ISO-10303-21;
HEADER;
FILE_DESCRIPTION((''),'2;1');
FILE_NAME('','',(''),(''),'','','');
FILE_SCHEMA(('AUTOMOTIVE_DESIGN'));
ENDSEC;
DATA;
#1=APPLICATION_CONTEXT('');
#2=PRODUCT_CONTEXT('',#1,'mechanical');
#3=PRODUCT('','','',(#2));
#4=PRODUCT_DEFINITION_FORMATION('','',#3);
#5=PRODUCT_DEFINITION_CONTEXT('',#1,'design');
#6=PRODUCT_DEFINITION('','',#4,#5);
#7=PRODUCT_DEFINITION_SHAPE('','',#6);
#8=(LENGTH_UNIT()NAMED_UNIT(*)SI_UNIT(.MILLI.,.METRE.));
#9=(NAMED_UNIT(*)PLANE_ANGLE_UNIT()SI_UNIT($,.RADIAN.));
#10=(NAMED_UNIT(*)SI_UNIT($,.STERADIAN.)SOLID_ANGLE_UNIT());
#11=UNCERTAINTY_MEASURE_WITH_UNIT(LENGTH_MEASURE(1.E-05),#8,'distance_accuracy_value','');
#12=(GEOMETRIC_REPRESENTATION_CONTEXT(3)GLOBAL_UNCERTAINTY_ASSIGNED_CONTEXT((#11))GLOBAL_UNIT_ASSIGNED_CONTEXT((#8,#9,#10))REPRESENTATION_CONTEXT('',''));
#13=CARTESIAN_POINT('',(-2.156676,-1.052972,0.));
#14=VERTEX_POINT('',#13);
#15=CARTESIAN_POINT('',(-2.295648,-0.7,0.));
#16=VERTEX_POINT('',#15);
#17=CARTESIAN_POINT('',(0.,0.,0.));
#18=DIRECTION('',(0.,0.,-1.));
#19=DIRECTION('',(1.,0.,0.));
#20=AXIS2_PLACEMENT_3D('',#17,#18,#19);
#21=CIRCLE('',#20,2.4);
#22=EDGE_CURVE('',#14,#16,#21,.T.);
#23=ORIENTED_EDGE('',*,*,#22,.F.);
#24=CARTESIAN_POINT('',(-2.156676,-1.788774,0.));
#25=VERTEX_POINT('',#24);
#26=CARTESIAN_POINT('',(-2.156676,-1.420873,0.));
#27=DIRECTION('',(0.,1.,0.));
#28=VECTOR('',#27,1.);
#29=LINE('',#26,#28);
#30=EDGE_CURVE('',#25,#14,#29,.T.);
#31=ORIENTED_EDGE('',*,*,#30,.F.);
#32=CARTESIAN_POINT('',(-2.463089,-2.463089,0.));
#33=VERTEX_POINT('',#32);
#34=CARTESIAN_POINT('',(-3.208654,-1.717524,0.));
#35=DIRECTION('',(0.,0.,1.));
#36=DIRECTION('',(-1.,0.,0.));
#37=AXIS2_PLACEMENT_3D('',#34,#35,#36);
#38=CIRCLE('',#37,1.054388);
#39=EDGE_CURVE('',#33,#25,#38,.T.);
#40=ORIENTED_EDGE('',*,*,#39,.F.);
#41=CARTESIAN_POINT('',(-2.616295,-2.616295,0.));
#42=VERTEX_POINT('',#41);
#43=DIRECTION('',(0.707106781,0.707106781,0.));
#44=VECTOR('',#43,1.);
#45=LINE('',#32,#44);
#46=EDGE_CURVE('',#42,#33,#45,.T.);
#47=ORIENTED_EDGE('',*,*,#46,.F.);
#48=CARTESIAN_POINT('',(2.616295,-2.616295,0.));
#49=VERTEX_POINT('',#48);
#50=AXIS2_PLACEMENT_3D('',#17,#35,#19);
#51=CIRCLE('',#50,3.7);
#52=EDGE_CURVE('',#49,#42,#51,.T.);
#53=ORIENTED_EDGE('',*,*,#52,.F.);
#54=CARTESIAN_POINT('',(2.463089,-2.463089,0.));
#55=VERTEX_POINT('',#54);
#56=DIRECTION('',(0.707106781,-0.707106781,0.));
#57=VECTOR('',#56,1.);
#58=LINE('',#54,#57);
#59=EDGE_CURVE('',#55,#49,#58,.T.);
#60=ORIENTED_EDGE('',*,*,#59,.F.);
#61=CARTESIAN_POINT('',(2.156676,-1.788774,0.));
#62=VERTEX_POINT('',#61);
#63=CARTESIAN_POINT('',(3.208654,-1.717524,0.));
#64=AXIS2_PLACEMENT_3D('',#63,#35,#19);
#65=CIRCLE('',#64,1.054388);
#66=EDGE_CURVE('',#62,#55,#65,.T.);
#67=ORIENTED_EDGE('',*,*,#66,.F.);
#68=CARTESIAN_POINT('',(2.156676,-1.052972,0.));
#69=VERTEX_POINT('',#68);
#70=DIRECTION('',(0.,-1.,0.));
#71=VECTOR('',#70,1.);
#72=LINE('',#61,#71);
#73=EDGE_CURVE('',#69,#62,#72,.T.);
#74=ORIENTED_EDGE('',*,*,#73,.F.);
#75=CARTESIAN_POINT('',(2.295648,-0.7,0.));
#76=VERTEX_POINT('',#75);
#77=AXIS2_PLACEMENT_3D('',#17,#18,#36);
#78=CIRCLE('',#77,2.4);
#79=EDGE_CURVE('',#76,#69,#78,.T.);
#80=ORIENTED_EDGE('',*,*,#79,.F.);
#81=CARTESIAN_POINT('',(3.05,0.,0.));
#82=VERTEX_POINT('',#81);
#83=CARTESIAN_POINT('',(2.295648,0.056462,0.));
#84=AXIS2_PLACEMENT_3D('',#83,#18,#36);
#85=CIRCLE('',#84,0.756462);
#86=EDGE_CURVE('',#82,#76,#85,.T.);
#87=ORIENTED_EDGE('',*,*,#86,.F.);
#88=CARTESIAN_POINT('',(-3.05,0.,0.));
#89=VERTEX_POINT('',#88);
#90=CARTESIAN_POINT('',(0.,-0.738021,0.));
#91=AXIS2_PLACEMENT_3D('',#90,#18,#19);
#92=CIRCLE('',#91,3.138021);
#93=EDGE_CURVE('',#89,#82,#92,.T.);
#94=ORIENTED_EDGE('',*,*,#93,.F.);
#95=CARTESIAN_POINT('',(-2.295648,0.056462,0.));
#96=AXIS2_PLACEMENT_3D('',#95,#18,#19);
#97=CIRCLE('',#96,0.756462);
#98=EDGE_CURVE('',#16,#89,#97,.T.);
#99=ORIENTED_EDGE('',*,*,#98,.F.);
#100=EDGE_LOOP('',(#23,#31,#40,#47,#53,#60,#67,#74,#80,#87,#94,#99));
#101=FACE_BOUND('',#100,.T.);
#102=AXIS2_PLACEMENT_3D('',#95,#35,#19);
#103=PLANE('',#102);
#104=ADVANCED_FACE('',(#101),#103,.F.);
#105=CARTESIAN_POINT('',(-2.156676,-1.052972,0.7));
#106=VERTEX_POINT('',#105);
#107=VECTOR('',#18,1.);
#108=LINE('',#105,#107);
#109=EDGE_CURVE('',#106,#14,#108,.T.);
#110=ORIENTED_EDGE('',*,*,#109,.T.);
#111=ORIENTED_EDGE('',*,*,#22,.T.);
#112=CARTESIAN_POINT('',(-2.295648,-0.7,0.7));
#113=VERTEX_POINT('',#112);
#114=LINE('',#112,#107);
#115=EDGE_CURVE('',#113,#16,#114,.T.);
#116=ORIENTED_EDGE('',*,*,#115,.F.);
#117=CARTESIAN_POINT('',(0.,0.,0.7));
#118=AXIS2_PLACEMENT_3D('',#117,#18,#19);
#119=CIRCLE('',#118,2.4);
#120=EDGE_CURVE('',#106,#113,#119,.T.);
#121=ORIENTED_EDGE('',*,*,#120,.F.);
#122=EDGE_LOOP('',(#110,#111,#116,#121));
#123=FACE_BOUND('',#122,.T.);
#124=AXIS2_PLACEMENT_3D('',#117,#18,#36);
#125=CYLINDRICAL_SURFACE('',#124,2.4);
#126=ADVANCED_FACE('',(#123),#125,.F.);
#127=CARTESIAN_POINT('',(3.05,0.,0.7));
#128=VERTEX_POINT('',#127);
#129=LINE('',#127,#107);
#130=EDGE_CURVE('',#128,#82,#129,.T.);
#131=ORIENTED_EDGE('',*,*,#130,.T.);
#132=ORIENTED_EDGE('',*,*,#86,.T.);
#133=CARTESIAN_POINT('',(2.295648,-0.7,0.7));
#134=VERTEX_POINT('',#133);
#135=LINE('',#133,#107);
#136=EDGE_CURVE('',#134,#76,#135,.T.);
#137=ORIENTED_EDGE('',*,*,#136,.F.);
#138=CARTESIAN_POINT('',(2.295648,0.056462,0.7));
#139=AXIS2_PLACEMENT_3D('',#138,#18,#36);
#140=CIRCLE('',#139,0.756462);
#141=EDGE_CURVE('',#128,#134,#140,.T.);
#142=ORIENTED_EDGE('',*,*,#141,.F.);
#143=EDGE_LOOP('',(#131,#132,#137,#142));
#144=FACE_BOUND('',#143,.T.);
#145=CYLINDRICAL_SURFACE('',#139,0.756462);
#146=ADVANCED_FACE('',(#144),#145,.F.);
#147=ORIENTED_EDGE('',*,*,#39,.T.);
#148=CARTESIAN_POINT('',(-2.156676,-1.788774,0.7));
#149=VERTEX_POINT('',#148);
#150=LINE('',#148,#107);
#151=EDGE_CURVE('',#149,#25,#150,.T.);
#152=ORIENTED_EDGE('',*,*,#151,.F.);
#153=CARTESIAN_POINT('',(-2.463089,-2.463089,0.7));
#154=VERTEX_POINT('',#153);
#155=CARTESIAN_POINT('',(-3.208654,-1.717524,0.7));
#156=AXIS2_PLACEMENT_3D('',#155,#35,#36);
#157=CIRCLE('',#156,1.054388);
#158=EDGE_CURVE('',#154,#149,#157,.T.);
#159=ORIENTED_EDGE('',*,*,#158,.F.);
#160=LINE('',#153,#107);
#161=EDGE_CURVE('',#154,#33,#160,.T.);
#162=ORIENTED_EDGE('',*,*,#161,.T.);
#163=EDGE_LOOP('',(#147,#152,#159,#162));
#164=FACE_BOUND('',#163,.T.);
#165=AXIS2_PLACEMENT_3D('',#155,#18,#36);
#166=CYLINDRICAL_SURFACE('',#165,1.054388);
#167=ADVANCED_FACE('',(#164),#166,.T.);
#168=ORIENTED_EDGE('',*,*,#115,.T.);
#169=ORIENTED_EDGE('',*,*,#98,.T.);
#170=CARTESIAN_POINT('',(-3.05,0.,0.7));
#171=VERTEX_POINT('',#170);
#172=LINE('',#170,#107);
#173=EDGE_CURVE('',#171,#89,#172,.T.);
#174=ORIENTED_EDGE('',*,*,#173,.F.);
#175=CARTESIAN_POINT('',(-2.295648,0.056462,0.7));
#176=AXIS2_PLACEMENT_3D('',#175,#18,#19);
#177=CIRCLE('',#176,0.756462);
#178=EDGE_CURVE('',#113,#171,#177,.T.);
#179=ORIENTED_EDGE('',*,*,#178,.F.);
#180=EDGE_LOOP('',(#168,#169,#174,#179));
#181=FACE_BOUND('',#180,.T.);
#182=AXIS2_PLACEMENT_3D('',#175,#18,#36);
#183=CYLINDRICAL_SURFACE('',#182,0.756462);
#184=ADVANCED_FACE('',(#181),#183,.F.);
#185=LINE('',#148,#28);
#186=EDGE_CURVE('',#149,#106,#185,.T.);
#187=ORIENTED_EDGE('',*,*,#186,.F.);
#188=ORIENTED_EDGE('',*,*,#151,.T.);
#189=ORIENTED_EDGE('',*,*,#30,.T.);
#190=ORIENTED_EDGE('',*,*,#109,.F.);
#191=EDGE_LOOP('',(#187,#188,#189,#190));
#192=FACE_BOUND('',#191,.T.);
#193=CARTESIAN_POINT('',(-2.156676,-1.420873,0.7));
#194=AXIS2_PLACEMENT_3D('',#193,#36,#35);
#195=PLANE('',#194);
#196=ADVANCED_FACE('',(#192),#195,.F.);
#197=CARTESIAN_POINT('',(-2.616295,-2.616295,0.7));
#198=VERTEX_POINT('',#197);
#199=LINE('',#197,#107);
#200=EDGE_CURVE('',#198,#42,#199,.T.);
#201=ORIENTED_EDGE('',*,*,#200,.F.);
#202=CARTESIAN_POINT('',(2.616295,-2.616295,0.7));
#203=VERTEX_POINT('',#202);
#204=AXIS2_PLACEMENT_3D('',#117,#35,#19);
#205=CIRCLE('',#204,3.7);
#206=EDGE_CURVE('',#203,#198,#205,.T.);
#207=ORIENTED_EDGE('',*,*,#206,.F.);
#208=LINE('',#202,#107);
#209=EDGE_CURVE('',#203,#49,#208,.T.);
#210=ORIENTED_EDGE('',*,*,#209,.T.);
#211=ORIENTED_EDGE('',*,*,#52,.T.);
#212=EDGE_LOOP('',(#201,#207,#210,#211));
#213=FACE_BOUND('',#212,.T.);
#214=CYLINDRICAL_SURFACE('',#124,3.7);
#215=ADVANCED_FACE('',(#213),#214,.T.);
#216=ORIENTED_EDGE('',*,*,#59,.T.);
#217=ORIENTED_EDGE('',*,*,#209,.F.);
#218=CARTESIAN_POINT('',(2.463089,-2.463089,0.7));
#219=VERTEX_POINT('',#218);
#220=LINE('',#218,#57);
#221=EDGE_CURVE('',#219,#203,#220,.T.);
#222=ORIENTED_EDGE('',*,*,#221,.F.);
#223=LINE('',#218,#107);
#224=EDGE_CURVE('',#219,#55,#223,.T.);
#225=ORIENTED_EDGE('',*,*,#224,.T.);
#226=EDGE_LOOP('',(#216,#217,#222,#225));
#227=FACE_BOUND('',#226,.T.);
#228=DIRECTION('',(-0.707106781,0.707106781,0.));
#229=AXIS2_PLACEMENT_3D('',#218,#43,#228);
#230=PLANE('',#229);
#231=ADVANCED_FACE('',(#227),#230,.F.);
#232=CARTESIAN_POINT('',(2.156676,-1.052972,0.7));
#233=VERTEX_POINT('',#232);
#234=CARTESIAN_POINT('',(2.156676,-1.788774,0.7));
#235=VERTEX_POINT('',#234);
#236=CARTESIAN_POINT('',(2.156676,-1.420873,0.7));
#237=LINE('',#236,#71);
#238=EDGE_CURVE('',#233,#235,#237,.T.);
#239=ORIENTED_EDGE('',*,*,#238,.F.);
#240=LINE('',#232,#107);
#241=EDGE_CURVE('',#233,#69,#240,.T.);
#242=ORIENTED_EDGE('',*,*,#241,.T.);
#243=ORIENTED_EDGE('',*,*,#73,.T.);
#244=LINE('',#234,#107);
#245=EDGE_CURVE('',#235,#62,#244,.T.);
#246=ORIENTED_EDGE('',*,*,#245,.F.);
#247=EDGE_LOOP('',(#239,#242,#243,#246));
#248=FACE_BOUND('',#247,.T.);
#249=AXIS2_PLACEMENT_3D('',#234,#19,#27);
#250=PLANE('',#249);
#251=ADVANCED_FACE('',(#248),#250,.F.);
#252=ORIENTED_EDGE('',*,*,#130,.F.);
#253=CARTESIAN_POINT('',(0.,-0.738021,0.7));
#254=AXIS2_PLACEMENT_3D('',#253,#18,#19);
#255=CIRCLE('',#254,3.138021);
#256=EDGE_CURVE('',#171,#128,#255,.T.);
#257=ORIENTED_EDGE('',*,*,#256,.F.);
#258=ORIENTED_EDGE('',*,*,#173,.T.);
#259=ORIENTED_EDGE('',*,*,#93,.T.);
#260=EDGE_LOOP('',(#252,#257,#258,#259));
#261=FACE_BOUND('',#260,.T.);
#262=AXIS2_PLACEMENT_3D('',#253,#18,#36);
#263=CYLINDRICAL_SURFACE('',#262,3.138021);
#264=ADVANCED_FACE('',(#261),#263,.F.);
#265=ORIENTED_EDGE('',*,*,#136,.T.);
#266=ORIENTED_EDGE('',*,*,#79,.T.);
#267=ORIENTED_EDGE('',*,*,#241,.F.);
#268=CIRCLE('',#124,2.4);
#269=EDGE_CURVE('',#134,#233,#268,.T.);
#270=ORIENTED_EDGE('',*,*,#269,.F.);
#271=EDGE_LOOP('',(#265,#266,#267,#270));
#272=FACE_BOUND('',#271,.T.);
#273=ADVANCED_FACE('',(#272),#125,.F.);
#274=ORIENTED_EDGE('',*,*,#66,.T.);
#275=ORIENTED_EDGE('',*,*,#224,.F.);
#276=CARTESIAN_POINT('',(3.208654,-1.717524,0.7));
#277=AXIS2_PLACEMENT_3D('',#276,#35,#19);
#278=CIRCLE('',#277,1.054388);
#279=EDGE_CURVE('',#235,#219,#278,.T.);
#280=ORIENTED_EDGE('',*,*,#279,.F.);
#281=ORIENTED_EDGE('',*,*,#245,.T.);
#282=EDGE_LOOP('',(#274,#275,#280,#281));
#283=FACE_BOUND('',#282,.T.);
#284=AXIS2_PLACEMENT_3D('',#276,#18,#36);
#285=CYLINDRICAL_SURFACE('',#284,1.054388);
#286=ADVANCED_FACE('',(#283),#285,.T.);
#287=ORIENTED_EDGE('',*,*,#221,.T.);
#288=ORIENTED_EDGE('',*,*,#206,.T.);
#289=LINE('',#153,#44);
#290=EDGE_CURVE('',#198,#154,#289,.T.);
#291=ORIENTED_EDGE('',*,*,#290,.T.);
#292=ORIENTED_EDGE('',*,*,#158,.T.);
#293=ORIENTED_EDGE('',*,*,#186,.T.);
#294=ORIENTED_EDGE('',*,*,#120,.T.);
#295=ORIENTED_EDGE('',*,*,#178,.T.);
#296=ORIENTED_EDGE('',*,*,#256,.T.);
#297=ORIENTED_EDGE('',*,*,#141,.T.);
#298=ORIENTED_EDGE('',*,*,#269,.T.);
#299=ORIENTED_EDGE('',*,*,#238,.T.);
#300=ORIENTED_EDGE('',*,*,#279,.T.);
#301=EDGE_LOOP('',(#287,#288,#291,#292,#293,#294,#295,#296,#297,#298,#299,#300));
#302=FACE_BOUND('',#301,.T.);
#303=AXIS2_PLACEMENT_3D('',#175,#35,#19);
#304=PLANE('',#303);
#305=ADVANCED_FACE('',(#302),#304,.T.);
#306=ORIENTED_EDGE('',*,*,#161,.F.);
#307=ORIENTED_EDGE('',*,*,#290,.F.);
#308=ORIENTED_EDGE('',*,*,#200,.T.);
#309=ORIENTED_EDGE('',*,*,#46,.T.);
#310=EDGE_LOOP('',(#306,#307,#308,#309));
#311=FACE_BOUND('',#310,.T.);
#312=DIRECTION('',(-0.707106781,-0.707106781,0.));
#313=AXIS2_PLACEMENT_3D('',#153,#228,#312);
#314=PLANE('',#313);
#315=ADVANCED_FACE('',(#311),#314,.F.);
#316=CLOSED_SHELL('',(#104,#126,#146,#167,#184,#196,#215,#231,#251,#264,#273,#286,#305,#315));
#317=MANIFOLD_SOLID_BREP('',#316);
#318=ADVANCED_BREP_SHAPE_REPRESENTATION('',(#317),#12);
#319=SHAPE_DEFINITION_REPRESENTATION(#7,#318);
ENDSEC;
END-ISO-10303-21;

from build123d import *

# Parameters (mm, degrees)
BOSS_EXTRUDE1_DEPTH = 0.7


with BuildPart() as part:
    # Sketch2 → Boss-Extrude1 (new body)
    with BuildSketch(Plane.XY):
        with BuildLine():
            Line((-2.156675683, -1.78877445), (-2.156675683, -1.420873217))
            Line((-2.156675683, -1.420873217), (-2.156675683, -1.052971984))
            ThreePointArc((-2.156675683, -1.052971984), (-2.233146653, -0.879236046), (-2.295648057, -0.7))
            ThreePointArc((-2.295648057, -0.7), (-2.810198067, -0.498040533), (-3.05, 0))
            ThreePointArc((-3.05, 0), (0, 2.4), (3.05, 0))
            ThreePointArc((3.05, 0), (2.810198067, -0.498040533), (2.295648057, -0.7))
            ThreePointArc((2.295648057, -0.7), (2.233146653, -0.879236046), (2.156675683, -1.052971984))
            Line((2.156675683, -1.052971984), (2.156675683, -1.420873217))
            Line((2.156675683, -1.420873217), (2.156675683, -1.78877445))
            ThreePointArc((2.156675683, -1.78877445), (2.248723901, -2.15372226), (2.463088621, -2.463088621))
            Line((2.463088621, -2.463088621), (2.61629509, -2.61629509))
            ThreePointArc((2.61629509, -2.61629509), (0, 3.7), (-2.61629509, -2.61629509))
            Line((-2.61629509, -2.61629509), (-2.463088621, -2.463088621))
            ThreePointArc((-2.463088621, -2.463088621), (-2.248723901, -2.15372226), (-2.156675683, -1.78877445))
        make_face()
    extrude(amount=BOSS_EXTRUDE1_DEPTH)


solid = part.part
